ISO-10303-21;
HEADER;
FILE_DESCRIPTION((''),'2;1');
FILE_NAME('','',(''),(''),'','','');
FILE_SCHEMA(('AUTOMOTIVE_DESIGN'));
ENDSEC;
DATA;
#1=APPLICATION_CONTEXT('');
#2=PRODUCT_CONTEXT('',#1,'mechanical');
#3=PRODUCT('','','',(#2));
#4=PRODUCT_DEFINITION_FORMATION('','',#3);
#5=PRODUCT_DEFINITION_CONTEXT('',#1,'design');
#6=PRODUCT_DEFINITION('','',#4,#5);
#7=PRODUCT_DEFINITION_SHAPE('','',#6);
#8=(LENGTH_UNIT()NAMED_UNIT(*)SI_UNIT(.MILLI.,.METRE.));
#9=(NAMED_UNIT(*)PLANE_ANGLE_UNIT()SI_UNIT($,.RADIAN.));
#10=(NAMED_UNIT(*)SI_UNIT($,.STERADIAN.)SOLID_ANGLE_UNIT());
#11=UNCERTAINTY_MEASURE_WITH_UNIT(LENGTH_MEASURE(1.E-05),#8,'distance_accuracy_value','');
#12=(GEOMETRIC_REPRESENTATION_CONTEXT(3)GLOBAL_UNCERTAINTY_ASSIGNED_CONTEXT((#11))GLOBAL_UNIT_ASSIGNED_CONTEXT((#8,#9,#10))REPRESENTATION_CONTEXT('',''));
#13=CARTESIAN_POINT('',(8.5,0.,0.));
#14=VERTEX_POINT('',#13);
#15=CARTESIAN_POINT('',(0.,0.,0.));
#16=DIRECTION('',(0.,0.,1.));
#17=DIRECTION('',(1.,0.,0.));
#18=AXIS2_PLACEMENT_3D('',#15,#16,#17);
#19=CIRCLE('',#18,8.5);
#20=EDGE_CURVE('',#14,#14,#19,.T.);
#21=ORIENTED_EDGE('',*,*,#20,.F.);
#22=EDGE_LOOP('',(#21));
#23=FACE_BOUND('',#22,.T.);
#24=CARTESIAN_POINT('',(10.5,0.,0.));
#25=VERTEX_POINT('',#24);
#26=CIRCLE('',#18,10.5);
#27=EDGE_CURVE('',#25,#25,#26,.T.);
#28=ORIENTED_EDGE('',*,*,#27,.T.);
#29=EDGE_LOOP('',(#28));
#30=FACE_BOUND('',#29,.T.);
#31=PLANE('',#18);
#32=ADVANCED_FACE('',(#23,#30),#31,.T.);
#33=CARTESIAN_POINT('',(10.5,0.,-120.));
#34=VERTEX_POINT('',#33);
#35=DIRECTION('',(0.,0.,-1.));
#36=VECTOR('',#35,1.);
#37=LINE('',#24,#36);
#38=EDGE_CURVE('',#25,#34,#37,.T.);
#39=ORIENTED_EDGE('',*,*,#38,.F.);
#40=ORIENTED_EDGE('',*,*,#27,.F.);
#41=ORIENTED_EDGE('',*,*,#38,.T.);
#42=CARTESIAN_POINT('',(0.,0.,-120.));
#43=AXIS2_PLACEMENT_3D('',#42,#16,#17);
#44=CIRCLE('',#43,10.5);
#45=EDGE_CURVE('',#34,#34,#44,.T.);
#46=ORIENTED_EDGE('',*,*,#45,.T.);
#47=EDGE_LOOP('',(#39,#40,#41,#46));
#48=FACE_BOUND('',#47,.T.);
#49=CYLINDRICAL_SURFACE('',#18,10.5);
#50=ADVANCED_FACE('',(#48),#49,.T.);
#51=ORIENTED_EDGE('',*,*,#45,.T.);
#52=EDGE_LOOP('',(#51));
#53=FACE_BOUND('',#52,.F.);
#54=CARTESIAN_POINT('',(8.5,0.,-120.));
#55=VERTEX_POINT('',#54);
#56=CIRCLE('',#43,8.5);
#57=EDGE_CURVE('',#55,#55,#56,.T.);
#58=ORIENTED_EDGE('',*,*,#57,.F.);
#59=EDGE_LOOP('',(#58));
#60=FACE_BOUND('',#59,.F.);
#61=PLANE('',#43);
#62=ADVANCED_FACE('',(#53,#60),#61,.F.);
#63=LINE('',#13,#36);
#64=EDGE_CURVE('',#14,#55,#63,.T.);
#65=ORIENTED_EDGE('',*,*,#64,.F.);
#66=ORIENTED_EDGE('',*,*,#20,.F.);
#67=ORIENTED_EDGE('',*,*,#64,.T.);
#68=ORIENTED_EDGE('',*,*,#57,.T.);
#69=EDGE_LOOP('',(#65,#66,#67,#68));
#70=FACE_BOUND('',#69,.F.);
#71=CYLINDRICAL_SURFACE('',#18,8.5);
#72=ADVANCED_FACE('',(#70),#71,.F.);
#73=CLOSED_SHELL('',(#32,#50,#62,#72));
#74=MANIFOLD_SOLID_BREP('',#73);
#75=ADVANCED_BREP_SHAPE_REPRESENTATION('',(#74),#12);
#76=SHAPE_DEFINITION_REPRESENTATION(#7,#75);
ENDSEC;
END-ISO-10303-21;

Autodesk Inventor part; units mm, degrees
ref_plane "YZ Plane" through (0, 0, 0) normal (1, 0, 0) x (0, 1, 0)
ref_plane "XZ Plane" through (0, 0, 0) normal (0, 1, 0) x (-1, 0, 0)
ref_plane "XY Plane" through (0, 0, 0) normal (0, 0, 1) x (1, 0, 0)
sketch "Sketch11" plane through (0, 0, 0) normal (0, 0, 1) x (1, 0, 0)
  circle A0 centre (0, 0) radius 10.5
  circle A1 centre (0, 0) radius 8.5
  dimension "d187" = 21
  dimension "d188" = 2
extrude "Extrusion5" add sketch "Sketch11" against normal blind 120
properties part number "PNS 758 FDS 1200 way tube 6" material "Stainless Steel"
